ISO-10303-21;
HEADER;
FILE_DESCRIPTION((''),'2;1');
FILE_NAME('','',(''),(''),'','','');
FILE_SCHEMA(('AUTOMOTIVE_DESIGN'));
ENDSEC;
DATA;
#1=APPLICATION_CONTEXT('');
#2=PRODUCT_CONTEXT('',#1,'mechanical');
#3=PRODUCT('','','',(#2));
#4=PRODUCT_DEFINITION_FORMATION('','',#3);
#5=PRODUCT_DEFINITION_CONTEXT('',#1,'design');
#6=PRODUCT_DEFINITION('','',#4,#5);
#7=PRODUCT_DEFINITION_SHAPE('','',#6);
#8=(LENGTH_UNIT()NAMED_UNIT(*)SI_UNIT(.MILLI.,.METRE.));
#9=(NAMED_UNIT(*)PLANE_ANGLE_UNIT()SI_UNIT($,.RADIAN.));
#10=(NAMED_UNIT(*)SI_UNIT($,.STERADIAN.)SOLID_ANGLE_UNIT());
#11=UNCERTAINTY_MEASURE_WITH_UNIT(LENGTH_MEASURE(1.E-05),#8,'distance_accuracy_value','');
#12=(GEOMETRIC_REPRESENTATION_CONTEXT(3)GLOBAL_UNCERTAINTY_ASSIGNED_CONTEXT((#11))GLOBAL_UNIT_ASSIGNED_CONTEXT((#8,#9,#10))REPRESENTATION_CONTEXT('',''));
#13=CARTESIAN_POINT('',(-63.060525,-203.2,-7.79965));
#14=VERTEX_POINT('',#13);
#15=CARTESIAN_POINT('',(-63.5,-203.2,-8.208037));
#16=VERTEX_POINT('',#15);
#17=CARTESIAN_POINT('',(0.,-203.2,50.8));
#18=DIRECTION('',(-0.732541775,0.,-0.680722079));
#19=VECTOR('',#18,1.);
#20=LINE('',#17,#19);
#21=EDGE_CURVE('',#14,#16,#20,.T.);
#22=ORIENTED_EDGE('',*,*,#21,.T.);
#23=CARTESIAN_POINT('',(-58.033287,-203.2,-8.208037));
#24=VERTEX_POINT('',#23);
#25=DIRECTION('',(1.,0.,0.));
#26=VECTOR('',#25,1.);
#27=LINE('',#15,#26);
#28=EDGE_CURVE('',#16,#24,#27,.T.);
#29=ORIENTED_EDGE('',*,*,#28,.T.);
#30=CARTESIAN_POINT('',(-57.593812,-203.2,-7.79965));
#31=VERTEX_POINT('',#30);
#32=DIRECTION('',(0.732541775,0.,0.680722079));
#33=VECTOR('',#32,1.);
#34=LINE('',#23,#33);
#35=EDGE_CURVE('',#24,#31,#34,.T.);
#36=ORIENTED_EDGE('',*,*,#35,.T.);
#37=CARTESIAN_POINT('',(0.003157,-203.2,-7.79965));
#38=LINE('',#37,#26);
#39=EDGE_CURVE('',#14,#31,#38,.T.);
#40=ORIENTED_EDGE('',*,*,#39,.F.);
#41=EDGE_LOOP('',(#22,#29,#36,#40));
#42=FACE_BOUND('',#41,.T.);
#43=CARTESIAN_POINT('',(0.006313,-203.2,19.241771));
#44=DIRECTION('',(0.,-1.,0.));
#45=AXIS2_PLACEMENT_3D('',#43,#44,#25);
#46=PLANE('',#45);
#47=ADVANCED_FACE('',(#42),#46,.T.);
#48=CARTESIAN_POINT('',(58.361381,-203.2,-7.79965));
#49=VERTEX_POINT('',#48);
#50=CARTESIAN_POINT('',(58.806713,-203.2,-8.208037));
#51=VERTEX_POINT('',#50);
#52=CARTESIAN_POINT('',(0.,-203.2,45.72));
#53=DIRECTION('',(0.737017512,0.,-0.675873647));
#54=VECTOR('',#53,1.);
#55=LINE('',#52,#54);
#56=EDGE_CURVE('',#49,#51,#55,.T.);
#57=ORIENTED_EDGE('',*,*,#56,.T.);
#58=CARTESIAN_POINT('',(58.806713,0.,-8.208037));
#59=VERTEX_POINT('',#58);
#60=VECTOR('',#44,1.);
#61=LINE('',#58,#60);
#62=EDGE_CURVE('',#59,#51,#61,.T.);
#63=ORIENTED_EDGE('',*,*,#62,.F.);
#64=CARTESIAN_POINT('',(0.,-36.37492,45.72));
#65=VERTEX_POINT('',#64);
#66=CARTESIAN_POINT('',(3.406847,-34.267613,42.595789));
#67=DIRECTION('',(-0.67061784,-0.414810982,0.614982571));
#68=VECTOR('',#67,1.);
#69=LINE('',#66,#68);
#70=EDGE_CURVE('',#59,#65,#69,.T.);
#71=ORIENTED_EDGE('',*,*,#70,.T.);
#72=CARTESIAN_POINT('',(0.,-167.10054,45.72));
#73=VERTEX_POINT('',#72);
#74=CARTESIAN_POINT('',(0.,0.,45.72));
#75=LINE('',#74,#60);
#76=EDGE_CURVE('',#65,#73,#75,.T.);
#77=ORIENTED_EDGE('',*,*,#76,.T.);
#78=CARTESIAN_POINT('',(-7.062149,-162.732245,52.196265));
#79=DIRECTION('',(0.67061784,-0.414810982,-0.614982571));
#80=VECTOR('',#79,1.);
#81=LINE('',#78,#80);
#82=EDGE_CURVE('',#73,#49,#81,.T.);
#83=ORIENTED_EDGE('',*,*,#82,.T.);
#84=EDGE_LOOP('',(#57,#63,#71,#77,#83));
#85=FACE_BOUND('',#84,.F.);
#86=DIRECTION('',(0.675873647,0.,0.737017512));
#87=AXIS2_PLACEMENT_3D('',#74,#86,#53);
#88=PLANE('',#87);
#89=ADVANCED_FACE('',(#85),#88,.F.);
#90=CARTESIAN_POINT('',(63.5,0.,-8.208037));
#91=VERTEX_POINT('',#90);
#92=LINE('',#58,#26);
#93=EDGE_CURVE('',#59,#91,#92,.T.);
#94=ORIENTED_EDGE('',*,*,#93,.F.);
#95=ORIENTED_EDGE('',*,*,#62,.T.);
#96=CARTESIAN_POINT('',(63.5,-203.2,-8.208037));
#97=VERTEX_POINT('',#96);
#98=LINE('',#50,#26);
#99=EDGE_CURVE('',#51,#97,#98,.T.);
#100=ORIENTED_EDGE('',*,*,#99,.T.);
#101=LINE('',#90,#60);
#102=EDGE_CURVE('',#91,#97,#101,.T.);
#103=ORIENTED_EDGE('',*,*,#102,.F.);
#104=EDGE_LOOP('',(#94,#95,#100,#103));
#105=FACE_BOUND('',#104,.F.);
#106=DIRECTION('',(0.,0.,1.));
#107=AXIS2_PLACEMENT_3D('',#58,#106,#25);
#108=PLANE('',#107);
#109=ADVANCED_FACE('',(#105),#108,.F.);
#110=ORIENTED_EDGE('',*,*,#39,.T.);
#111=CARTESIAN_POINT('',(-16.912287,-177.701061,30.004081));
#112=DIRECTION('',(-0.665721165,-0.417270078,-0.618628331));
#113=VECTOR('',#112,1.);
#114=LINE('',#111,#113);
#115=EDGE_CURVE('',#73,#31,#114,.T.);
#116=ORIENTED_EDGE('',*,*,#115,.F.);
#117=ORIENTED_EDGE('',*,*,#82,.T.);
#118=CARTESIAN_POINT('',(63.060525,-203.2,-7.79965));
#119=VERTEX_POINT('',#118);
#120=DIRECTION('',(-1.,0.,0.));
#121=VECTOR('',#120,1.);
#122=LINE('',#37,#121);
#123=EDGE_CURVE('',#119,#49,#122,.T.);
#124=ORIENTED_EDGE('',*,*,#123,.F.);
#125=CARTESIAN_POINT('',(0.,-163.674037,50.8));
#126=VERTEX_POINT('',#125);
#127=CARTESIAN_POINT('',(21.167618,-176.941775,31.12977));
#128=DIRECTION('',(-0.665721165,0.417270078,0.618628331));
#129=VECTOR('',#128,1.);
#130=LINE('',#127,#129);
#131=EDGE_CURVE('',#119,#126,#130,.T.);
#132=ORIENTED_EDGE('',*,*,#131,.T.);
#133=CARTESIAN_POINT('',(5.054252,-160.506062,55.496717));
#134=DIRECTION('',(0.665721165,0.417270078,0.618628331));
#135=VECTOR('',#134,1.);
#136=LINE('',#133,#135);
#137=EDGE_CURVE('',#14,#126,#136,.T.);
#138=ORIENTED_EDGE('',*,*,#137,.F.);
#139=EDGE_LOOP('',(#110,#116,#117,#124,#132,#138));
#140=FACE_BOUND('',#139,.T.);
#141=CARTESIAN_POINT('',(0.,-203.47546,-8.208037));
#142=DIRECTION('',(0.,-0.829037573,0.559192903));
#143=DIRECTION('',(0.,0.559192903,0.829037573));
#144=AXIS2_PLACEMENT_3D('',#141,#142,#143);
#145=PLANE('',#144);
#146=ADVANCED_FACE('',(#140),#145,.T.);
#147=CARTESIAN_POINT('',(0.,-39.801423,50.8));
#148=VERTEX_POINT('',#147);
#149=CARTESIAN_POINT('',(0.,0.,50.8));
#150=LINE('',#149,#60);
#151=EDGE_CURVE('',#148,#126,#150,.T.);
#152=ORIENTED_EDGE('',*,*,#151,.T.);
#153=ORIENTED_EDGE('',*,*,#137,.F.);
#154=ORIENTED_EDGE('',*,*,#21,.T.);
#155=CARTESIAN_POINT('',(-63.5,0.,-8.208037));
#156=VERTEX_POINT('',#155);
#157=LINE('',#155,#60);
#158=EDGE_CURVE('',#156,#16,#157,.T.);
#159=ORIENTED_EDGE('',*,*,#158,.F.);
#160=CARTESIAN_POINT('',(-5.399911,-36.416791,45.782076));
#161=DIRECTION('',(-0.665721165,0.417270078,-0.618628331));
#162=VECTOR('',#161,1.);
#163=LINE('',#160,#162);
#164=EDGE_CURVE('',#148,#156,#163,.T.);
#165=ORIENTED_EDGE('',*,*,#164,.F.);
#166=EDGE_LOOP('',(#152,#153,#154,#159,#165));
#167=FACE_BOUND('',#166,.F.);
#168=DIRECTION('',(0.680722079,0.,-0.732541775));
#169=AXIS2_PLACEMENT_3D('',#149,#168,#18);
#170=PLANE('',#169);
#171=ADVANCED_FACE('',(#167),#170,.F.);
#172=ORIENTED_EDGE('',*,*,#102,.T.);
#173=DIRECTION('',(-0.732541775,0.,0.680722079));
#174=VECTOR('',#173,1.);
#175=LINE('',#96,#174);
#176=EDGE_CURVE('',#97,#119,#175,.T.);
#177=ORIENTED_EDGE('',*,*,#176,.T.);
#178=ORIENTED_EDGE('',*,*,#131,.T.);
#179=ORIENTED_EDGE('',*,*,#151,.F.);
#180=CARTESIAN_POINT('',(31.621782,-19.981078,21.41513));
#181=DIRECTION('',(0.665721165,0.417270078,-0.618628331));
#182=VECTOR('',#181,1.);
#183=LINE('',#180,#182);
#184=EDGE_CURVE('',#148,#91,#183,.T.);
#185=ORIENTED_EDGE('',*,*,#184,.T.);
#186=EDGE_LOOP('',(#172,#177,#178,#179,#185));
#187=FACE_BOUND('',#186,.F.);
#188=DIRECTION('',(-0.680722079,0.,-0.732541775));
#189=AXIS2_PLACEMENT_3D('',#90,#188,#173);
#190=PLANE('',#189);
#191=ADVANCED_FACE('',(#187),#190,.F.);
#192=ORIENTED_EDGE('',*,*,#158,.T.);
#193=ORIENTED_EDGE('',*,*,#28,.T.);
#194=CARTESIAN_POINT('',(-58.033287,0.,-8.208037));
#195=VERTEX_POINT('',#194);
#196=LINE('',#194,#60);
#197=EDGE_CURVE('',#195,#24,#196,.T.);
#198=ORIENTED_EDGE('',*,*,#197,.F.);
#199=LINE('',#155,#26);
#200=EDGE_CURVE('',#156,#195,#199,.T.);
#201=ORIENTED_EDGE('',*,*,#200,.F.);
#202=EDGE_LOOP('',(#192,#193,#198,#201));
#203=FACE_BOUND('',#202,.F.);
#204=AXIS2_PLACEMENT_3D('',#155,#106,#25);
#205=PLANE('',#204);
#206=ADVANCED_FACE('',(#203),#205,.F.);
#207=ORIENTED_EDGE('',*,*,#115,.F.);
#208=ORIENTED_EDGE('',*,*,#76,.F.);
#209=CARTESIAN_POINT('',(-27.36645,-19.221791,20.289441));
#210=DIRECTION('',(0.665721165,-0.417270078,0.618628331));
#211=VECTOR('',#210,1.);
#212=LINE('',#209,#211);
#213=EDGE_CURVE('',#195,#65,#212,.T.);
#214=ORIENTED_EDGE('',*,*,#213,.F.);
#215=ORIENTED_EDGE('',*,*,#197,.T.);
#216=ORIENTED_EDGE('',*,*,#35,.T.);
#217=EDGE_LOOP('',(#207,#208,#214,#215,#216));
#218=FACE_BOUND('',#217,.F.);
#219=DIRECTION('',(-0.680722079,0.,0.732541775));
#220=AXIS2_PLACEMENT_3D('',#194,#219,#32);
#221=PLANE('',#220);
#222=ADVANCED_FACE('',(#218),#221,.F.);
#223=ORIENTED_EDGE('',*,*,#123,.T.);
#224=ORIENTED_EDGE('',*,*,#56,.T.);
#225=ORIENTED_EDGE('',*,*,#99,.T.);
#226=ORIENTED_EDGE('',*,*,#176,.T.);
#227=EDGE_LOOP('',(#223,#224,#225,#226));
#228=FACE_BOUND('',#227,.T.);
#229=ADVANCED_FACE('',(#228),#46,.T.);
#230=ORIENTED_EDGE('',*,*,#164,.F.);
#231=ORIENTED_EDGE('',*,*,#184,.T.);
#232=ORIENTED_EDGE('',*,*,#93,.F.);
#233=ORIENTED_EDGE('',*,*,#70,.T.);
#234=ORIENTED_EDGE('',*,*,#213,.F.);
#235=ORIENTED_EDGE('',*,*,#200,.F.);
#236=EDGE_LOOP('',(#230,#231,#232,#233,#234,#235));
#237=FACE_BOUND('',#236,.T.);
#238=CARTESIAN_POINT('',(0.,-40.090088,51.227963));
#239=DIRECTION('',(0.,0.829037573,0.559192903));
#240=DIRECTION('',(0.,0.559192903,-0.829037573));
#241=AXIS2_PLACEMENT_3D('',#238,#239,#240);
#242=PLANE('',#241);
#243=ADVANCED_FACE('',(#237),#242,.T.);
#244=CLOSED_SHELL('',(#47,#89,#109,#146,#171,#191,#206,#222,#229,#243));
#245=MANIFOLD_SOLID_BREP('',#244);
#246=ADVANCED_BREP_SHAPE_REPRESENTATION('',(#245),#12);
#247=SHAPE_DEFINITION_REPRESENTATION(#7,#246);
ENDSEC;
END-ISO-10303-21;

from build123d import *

# Parameters (mm, degrees)
F1_DEPTH      = 203.2
F3_DEPTH      = 124.968
F3_DEPTH_BACK = 110.49
F5_DEPTH      = 83.566
F5_DEPTH_BACK = 103.124


with BuildPart() as f1:
    # F0 (on Front) → F1 (new body)
    with BuildSketch(Plane.XZ):
        Polygon((63.5, -8.2080368082), (0, 50.8), (-63.5, -8.2080368082), (-58.0332870326, -8.2080368082), (0, 45.72), (58.8067129674, -8.2080368082), align=None)
    extrude(amount=F1_DEPTH)

    # F2 (on Right) → F3 (cut, two sides)
    with BuildSketch(Plane.YZ) as f3_sk:
        Polygon((0, -8.2080368082), (0, 51.2279631918), (-40.090088207, 51.2279631918), align=None)
    extrude(amount=-F3_DEPTH, mode=Mode.SUBTRACT)
    extrude(f3_sk.sketch, amount=F3_DEPTH_BACK, mode=Mode.SUBTRACT)

    # F4 (on Right) → F5 (cut, two sides)
    with BuildSketch(Plane.YZ) as f5_sk:
        Polygon((-203.4754604101, 51.2279631918), (-203.4754604101, -8.2080368082), (-163.3853722031, 51.2279631918), align=None)
    extrude(amount=-F5_DEPTH, mode=Mode.SUBTRACT)
    extrude(f5_sk.sketch, amount=F5_DEPTH_BACK, mode=Mode.SUBTRACT)


solid = f1.part
